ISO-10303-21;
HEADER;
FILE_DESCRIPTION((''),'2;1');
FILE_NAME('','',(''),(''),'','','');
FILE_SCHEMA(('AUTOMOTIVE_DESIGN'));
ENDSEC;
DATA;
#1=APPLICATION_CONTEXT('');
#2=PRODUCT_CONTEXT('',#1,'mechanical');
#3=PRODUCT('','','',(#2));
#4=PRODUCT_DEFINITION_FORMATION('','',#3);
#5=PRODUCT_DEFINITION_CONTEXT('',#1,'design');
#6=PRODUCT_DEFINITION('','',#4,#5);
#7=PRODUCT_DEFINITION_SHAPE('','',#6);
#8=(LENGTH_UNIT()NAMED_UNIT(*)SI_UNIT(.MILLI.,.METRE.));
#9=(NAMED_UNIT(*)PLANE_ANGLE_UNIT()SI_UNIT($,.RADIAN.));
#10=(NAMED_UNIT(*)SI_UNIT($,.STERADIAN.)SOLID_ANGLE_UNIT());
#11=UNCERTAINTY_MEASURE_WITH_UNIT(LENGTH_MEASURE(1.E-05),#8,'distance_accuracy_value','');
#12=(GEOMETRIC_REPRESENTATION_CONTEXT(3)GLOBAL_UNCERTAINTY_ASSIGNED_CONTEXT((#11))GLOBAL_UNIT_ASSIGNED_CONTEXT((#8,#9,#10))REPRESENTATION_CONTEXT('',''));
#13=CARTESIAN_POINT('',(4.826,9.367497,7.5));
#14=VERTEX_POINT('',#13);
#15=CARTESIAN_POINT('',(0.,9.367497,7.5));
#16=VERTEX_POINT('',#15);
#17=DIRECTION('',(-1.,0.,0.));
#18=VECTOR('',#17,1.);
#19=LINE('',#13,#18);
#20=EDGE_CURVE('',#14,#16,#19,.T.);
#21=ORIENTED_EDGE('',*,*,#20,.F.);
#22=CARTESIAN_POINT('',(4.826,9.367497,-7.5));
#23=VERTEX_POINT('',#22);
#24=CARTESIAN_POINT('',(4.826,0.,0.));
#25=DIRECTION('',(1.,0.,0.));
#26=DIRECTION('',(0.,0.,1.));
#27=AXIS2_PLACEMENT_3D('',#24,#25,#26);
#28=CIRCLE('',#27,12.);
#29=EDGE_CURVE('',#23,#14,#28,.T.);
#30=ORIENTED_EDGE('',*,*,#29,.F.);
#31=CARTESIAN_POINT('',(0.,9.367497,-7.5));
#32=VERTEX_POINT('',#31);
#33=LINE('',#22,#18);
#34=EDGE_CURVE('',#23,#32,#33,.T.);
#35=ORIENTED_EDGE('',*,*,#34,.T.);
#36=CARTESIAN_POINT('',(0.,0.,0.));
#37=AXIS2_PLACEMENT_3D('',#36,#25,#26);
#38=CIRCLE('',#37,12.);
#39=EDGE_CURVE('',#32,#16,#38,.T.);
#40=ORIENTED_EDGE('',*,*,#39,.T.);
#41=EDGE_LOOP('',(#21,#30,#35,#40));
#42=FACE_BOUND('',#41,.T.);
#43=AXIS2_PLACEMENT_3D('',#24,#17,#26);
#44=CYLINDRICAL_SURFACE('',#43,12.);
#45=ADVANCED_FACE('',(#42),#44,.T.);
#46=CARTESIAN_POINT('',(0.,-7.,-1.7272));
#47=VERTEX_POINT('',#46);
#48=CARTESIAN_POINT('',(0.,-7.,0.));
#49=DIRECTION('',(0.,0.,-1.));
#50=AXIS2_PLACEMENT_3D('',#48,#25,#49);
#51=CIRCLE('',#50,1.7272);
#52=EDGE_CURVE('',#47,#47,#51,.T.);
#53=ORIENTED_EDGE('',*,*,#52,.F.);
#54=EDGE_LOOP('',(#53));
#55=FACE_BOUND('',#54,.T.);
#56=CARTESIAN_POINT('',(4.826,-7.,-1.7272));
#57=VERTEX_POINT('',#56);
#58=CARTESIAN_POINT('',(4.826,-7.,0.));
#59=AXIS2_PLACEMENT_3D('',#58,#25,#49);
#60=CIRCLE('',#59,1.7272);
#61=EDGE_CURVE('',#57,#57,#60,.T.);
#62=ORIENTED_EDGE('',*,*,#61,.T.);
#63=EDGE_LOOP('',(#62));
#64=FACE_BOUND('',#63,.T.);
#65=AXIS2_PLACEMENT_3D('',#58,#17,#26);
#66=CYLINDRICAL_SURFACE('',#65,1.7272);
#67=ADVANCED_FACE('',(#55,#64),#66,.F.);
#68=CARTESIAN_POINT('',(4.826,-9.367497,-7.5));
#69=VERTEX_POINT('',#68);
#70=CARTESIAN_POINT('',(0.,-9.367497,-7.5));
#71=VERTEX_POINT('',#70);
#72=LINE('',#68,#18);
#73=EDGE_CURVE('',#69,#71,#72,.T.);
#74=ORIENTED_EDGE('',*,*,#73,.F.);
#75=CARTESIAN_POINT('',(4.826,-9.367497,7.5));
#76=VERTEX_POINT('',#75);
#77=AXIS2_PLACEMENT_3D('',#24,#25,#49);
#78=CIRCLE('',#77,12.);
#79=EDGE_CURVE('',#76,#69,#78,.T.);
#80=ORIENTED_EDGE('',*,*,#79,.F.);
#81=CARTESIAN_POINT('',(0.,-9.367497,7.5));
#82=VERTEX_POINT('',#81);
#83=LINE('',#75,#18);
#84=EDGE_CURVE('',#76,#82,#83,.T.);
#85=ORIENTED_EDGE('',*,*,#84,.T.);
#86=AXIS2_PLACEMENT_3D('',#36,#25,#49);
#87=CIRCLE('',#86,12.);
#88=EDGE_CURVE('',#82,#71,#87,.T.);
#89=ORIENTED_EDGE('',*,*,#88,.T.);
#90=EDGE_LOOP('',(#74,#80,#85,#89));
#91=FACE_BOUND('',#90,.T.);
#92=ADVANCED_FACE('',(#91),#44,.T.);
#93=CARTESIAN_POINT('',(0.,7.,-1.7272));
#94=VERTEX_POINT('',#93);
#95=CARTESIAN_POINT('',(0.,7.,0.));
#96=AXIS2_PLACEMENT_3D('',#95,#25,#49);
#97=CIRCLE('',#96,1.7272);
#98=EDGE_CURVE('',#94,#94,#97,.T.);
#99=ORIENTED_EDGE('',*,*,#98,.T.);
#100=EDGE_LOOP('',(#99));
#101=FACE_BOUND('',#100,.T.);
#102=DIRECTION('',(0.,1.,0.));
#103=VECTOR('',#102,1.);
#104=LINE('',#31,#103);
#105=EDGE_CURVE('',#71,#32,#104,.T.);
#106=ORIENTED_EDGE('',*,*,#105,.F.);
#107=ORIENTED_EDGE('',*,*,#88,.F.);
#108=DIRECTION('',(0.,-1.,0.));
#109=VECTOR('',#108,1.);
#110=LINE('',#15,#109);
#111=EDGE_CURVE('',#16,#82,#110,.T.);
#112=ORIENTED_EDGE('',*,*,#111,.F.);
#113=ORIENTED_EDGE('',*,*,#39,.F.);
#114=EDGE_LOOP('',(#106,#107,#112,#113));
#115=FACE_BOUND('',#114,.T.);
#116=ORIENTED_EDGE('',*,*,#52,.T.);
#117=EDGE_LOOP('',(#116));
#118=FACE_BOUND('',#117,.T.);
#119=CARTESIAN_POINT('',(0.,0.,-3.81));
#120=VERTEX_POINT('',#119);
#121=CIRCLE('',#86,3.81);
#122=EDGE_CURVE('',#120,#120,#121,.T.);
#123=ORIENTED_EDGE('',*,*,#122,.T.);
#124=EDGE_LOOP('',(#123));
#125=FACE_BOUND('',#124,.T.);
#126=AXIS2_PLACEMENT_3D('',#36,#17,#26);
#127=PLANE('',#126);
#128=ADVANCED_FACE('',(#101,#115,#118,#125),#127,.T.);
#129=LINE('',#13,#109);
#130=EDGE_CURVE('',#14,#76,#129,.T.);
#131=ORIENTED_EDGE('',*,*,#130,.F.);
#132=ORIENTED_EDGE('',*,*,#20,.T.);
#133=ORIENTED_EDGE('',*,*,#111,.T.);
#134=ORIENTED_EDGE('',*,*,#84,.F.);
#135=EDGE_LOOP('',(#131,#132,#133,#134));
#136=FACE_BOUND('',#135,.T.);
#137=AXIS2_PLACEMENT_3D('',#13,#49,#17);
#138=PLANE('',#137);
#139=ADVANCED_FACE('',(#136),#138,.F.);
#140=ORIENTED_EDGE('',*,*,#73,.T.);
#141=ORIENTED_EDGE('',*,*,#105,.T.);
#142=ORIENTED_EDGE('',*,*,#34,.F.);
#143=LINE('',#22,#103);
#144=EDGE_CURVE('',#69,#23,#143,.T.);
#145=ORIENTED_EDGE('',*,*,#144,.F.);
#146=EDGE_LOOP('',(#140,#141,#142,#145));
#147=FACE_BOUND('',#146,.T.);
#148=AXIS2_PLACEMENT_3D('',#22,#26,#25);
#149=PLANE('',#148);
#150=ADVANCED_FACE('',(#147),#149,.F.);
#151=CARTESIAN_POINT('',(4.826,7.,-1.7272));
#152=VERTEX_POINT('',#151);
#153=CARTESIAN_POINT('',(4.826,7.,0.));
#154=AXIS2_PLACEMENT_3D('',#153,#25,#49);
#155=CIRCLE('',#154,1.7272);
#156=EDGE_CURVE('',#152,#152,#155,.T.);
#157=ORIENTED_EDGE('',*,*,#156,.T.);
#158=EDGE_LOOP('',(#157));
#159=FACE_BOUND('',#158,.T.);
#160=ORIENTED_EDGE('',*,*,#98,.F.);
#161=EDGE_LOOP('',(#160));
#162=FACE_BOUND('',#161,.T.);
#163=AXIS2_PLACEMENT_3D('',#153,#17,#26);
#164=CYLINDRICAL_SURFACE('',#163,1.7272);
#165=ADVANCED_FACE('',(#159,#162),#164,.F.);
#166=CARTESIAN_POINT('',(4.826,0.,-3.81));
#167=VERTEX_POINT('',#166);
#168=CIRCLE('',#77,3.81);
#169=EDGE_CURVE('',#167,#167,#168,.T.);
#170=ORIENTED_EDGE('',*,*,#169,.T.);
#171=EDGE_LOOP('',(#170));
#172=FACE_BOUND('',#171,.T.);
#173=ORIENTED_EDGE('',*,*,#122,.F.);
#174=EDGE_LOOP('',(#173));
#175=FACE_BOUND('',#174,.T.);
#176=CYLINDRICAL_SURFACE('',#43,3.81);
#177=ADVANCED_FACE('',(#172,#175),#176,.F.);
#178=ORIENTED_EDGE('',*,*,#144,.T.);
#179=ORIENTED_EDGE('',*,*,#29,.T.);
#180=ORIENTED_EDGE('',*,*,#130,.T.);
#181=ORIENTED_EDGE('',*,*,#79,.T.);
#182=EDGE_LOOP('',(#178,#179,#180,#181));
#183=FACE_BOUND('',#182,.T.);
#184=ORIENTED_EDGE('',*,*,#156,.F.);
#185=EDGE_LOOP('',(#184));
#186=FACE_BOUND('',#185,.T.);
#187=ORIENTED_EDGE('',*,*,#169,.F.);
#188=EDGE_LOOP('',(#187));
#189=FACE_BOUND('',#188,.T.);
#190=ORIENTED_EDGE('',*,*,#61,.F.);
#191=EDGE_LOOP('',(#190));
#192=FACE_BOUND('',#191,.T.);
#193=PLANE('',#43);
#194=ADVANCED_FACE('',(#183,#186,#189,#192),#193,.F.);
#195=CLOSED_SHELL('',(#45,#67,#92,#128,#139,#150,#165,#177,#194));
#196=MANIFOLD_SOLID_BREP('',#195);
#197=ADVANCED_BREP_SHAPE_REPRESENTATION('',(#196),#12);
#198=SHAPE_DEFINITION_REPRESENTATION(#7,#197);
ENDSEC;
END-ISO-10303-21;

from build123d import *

# Parameters (mm, degrees)
SKETCH1_R           = 1.7272
SKETCH1_R_2         = 3.81
BOSS_EXTRUDE1_DEPTH = 4.826


with BuildPart() as part:
    # Sketch1 → Boss-Extrude1 (new body)
    with BuildSketch(Plane(origin=(0, 0, 0), x_dir=(0, 0, -1), z_dir=(1, 0, 0))):
        with BuildLine():
            Line((-7.5, 9.367496998), (-7.5, -9.367496998))
            ThreePointArc((-7.5, -9.367496998), (0, -12), (7.5, -9.367496998))
            Line((7.5, -9.367496998), (7.5, 9.367496998))
            ThreePointArc((7.5, 9.367496998), (0, 12), (-7.5, 9.367496998))
        make_face()
        with Locations((0, 7)):
            Circle(SKETCH1_R, mode=Mode.SUBTRACT)
        with Locations((0, -7)):
            Circle(SKETCH1_R, mode=Mode.SUBTRACT)
        Circle(SKETCH1_R_2, mode=Mode.SUBTRACT)
    extrude(amount=BOSS_EXTRUDE1_DEPTH)


solid = part.part
